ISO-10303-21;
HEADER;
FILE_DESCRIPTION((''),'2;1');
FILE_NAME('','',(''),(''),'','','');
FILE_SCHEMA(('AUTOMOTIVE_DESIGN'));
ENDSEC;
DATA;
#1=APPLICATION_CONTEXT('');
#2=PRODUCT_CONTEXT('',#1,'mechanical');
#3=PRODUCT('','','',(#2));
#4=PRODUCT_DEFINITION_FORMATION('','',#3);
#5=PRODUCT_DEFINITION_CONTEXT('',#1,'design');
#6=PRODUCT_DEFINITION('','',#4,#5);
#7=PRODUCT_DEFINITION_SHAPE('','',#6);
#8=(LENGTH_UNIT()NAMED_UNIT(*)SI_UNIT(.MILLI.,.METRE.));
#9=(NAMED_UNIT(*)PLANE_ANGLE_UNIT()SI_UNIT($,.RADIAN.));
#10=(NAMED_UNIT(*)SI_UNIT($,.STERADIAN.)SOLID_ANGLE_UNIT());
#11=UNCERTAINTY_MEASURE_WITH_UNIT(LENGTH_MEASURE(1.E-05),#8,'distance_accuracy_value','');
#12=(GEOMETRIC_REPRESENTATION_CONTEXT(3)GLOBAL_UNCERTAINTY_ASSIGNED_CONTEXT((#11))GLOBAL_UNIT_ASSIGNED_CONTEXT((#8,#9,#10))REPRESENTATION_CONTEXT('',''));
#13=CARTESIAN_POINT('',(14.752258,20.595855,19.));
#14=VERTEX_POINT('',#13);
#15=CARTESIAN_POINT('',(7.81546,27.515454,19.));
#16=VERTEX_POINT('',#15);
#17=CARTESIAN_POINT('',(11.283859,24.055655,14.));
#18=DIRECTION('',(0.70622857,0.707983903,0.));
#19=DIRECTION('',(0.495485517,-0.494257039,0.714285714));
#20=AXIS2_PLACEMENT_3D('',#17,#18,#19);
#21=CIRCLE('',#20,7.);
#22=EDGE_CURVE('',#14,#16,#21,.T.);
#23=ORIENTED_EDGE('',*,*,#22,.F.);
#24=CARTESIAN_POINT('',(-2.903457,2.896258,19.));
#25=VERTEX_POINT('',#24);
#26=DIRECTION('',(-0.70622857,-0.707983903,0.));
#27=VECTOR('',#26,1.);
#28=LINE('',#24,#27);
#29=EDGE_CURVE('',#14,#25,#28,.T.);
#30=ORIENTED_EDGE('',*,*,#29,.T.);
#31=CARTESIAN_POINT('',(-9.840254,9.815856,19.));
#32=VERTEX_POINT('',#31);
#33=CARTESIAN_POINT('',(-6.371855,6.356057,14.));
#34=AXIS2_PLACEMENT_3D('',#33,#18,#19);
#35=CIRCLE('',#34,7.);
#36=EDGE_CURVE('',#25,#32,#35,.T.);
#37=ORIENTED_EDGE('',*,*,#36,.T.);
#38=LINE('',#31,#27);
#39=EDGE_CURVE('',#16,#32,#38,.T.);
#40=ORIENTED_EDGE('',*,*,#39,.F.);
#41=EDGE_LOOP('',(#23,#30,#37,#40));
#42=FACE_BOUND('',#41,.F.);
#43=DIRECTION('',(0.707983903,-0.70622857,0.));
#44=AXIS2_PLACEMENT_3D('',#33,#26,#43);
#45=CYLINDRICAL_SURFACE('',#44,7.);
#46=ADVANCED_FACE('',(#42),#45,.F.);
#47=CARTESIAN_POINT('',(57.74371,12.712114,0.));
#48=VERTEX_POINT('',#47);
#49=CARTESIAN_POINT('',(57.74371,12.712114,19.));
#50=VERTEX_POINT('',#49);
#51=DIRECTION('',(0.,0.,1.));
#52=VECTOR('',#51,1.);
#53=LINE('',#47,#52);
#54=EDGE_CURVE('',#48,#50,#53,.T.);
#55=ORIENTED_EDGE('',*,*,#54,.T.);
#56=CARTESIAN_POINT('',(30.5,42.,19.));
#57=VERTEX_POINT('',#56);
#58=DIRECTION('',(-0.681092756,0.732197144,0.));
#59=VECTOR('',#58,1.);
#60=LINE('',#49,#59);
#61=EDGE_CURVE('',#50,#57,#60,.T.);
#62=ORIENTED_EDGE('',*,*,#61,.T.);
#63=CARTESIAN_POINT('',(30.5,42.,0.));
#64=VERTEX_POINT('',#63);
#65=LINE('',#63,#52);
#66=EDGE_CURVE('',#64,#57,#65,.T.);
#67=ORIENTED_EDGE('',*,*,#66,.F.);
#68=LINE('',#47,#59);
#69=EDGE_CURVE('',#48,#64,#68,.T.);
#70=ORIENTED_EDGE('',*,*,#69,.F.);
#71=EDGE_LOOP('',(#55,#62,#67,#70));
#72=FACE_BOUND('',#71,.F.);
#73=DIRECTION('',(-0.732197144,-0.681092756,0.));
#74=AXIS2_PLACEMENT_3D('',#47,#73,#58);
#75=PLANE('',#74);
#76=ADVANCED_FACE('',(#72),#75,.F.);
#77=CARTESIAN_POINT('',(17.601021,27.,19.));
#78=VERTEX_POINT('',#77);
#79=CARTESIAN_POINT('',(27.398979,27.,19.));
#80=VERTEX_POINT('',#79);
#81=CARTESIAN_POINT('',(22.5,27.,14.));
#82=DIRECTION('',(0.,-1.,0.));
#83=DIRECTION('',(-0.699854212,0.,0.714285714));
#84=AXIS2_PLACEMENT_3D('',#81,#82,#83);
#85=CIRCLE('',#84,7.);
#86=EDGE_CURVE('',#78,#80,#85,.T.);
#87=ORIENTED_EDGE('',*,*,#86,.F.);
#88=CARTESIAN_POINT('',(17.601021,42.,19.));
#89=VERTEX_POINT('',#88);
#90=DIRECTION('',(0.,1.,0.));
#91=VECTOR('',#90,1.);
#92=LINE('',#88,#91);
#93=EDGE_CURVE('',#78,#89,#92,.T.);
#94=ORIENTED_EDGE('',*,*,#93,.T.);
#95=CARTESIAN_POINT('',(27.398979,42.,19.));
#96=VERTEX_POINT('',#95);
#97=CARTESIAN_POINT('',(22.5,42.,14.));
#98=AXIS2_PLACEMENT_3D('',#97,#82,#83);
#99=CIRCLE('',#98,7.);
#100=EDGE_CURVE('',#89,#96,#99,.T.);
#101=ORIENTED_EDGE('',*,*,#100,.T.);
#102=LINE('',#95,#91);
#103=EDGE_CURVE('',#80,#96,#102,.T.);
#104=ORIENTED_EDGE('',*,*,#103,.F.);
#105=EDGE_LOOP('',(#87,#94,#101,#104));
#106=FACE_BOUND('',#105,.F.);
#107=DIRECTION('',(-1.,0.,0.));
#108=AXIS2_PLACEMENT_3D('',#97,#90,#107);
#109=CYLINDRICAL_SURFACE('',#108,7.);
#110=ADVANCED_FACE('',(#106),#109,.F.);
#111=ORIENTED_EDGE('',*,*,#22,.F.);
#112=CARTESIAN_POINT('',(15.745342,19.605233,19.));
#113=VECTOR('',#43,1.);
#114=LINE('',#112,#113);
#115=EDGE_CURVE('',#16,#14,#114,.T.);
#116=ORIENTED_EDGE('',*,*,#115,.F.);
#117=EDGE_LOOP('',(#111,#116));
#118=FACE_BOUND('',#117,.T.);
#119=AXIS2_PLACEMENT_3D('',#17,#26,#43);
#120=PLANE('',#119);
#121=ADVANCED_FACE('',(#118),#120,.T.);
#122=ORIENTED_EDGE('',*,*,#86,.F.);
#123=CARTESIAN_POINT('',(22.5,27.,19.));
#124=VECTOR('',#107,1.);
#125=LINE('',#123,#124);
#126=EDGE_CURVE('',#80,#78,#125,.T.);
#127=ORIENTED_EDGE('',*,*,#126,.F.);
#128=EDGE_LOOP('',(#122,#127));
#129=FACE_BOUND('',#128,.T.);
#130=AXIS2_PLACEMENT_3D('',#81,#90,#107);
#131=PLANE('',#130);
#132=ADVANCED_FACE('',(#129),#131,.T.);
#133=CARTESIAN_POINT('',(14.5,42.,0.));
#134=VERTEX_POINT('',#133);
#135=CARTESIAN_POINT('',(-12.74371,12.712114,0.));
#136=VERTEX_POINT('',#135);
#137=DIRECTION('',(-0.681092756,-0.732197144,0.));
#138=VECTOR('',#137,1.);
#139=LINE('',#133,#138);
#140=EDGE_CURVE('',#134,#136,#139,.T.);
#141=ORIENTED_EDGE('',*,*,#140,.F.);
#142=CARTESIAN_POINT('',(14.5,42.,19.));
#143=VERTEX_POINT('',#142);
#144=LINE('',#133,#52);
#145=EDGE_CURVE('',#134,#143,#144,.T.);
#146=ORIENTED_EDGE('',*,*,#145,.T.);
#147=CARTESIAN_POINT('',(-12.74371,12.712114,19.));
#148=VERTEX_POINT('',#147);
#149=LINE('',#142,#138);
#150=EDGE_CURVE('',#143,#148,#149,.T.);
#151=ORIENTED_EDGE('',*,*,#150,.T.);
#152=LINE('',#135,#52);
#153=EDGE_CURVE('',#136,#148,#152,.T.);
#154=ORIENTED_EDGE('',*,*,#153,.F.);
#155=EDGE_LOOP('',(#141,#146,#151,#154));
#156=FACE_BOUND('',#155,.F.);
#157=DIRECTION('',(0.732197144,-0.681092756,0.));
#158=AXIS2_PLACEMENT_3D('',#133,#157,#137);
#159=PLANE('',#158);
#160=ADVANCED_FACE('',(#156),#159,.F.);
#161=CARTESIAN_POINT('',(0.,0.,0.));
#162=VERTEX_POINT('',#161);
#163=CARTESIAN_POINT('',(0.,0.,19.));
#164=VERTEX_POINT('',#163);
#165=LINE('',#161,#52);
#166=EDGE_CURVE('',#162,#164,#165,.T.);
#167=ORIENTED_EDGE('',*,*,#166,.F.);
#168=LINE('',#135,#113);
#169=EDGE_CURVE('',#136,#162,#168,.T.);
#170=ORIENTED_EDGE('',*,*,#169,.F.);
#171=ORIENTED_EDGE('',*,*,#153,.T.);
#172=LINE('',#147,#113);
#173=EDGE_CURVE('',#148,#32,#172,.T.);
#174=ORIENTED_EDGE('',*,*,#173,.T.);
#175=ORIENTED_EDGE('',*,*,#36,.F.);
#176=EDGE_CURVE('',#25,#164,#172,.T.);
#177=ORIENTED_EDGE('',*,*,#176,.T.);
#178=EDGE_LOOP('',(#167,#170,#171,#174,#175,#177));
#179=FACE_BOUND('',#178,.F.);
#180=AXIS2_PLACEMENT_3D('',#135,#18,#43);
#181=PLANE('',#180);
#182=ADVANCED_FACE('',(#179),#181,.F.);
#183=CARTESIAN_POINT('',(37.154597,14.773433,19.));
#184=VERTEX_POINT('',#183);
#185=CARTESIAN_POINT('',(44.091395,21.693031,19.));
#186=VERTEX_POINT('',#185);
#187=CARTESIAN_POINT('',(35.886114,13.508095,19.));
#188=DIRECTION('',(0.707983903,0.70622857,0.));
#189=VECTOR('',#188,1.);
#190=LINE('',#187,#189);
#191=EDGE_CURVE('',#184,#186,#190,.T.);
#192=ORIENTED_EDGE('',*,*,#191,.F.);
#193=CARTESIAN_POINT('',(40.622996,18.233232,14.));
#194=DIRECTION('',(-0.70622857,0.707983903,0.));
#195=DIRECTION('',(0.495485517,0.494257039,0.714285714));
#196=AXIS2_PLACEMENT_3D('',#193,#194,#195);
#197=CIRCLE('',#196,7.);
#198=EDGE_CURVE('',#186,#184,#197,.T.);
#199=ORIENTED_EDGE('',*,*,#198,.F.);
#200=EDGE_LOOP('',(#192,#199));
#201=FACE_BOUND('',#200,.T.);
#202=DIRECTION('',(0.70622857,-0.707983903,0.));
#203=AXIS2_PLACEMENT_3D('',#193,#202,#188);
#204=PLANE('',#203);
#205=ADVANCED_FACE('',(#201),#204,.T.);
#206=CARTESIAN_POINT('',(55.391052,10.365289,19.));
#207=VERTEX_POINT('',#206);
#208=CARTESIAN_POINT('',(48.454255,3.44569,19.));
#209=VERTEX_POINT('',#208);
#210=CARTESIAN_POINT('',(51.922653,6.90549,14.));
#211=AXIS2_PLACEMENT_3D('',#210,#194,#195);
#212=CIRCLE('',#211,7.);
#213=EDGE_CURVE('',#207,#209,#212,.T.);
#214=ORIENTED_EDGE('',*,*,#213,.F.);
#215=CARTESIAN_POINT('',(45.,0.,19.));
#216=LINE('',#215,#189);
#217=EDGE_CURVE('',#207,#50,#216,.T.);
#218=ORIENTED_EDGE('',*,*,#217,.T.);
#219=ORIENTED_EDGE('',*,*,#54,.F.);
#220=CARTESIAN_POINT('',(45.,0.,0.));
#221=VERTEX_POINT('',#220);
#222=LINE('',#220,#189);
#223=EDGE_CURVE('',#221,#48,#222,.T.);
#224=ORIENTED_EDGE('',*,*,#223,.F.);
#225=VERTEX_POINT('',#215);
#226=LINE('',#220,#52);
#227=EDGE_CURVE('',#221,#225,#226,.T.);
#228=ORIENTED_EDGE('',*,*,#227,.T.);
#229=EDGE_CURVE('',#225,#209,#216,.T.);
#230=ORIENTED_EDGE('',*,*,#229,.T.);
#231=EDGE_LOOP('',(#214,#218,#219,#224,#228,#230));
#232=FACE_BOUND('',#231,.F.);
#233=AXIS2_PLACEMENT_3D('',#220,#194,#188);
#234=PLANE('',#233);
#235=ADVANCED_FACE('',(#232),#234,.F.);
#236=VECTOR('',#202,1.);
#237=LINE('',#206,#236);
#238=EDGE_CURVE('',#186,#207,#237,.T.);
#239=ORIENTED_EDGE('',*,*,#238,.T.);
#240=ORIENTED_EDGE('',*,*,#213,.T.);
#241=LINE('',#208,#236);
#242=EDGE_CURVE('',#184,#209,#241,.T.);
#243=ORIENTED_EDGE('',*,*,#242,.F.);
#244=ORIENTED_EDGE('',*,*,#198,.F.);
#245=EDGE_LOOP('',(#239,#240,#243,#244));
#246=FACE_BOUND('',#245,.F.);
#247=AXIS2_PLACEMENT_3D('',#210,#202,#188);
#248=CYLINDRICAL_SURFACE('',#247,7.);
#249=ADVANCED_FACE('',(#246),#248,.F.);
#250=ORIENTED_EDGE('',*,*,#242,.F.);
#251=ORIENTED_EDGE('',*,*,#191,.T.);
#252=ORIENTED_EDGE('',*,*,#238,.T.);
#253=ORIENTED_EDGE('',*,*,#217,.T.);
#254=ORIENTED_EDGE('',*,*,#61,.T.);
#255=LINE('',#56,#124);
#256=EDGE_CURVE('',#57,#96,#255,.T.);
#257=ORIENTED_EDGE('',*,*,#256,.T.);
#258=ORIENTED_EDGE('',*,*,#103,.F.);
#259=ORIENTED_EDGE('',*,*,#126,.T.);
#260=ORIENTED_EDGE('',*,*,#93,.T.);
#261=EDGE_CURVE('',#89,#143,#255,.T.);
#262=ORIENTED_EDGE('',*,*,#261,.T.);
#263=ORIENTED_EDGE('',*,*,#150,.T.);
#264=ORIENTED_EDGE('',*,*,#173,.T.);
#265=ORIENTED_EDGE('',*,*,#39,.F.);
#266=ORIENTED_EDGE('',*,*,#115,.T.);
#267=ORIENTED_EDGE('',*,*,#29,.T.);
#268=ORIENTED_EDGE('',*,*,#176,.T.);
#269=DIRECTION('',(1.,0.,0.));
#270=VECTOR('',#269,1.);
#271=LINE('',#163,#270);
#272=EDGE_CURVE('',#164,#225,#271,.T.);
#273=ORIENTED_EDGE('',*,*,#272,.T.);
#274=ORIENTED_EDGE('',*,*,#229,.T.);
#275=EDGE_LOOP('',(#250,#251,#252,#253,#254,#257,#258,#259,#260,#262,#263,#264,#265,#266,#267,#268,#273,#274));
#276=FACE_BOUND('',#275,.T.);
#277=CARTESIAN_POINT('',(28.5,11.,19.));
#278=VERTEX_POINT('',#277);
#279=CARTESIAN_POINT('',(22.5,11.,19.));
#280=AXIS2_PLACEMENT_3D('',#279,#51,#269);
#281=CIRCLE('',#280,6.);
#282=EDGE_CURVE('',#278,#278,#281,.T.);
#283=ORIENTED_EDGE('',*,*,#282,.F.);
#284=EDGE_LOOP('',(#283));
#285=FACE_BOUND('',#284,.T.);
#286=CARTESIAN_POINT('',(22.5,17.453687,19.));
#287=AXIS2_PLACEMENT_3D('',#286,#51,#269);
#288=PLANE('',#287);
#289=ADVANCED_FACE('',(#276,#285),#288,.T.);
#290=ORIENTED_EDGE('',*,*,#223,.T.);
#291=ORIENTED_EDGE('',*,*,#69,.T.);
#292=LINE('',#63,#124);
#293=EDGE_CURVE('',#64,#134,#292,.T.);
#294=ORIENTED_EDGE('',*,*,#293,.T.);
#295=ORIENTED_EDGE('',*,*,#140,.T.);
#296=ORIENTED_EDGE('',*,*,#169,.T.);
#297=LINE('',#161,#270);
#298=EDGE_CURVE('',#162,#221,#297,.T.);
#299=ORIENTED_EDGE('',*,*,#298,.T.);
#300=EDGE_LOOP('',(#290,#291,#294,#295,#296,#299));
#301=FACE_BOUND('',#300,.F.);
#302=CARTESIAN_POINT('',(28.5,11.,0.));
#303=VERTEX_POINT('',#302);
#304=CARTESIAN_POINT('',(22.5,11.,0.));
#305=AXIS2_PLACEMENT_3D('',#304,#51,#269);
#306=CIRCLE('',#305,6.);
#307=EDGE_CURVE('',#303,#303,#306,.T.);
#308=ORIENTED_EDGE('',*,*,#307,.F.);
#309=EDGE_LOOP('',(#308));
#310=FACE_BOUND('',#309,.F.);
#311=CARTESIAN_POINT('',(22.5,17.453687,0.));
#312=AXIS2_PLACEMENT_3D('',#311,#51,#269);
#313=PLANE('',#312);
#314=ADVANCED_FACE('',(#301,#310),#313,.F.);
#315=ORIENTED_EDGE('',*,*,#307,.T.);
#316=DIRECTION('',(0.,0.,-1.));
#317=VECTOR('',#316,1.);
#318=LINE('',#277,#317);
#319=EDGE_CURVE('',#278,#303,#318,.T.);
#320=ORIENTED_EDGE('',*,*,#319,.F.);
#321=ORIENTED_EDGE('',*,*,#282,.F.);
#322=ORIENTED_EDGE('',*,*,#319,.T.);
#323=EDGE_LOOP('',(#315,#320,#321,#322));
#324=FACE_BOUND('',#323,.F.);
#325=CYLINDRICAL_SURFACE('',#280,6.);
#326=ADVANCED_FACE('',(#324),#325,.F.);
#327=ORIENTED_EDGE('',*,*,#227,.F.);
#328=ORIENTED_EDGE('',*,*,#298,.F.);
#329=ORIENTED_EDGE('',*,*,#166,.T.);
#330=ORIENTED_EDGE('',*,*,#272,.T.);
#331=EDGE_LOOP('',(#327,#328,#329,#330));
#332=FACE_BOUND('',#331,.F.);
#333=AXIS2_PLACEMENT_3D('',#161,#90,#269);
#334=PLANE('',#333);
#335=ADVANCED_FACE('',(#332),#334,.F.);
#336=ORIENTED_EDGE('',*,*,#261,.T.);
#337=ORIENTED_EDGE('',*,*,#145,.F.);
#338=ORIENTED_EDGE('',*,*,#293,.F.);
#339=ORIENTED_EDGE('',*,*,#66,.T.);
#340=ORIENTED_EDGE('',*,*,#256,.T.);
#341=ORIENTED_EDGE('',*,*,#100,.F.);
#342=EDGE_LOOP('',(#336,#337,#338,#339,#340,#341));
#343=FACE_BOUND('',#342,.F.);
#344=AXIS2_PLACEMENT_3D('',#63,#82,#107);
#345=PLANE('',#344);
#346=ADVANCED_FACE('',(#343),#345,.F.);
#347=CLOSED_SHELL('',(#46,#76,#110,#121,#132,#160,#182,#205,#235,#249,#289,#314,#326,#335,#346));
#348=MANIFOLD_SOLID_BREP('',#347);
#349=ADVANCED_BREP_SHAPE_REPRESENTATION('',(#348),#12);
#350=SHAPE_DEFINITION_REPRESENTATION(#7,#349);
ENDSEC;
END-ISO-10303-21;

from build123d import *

# Parameters (mm, degrees)
F1_DEPTH = 19
F2_R     = 7
F3_DEPTH = 16
F4_R     = 7
F5_DEPTH = 25
F6_R     = 7
F7_DEPTH = 15
F8_R     = 6
F9_DEPTH = 19.001


with BuildPart() as f1:
    # F0 (on Top) → F1 (new body)
    with BuildSketch(Plane.XY):
        Polygon((-12.7437102583, 12.7121142558), (0, 0), (45, 0), (57.7437102583, 12.7121142558), (30.5, 42), (22.5, 42), (14.5, 42), align=None)
    extrude(amount=F1_DEPTH)

    # F2 (on face) → F3 (cut)
    with BuildSketch(Plane(origin=(22.4441456741, -22.4999306731, 0), x_dir=(0.7079839032, 0.7062285698, 0), z_dir=(0.7062285698, -0.7079839032, 0))):
        with Locations((41.6372567415, 14)):
            Circle(F2_R)
    extrude(amount=-F3_DEPTH, mode=Mode.SUBTRACT)

    # F4 (on face) → F5 (cut)
    with BuildSketch(Plane(origin=(0, 0, 0), x_dir=(0.7079839032, -0.7062285698, 0), z_dir=(-0.7062285698, -0.7079839032, 0))):
        with Locations((-9, 14)):
            Circle(F4_R)
    extrude(amount=-F5_DEPTH, mode=Mode.SUBTRACT)

    # F6 (on face) → F7 (cut)
    with BuildSketch(Plane(origin=(0, 42, 0), x_dir=(-1, 0, 0), z_dir=(0, 1, 0))):
        with Locations((-22.5, 14)):
            Circle(F6_R)
    extrude(amount=-F7_DEPTH, mode=Mode.SUBTRACT)

    # F8 (on face) → F9 (cut, through all)
    with BuildSketch(Plane.XY.offset(19)):
        with Locations((22.5, 11)):
            Circle(F8_R)
    extrude(amount=-F9_DEPTH, mode=Mode.SUBTRACT)


solid = f1.part
